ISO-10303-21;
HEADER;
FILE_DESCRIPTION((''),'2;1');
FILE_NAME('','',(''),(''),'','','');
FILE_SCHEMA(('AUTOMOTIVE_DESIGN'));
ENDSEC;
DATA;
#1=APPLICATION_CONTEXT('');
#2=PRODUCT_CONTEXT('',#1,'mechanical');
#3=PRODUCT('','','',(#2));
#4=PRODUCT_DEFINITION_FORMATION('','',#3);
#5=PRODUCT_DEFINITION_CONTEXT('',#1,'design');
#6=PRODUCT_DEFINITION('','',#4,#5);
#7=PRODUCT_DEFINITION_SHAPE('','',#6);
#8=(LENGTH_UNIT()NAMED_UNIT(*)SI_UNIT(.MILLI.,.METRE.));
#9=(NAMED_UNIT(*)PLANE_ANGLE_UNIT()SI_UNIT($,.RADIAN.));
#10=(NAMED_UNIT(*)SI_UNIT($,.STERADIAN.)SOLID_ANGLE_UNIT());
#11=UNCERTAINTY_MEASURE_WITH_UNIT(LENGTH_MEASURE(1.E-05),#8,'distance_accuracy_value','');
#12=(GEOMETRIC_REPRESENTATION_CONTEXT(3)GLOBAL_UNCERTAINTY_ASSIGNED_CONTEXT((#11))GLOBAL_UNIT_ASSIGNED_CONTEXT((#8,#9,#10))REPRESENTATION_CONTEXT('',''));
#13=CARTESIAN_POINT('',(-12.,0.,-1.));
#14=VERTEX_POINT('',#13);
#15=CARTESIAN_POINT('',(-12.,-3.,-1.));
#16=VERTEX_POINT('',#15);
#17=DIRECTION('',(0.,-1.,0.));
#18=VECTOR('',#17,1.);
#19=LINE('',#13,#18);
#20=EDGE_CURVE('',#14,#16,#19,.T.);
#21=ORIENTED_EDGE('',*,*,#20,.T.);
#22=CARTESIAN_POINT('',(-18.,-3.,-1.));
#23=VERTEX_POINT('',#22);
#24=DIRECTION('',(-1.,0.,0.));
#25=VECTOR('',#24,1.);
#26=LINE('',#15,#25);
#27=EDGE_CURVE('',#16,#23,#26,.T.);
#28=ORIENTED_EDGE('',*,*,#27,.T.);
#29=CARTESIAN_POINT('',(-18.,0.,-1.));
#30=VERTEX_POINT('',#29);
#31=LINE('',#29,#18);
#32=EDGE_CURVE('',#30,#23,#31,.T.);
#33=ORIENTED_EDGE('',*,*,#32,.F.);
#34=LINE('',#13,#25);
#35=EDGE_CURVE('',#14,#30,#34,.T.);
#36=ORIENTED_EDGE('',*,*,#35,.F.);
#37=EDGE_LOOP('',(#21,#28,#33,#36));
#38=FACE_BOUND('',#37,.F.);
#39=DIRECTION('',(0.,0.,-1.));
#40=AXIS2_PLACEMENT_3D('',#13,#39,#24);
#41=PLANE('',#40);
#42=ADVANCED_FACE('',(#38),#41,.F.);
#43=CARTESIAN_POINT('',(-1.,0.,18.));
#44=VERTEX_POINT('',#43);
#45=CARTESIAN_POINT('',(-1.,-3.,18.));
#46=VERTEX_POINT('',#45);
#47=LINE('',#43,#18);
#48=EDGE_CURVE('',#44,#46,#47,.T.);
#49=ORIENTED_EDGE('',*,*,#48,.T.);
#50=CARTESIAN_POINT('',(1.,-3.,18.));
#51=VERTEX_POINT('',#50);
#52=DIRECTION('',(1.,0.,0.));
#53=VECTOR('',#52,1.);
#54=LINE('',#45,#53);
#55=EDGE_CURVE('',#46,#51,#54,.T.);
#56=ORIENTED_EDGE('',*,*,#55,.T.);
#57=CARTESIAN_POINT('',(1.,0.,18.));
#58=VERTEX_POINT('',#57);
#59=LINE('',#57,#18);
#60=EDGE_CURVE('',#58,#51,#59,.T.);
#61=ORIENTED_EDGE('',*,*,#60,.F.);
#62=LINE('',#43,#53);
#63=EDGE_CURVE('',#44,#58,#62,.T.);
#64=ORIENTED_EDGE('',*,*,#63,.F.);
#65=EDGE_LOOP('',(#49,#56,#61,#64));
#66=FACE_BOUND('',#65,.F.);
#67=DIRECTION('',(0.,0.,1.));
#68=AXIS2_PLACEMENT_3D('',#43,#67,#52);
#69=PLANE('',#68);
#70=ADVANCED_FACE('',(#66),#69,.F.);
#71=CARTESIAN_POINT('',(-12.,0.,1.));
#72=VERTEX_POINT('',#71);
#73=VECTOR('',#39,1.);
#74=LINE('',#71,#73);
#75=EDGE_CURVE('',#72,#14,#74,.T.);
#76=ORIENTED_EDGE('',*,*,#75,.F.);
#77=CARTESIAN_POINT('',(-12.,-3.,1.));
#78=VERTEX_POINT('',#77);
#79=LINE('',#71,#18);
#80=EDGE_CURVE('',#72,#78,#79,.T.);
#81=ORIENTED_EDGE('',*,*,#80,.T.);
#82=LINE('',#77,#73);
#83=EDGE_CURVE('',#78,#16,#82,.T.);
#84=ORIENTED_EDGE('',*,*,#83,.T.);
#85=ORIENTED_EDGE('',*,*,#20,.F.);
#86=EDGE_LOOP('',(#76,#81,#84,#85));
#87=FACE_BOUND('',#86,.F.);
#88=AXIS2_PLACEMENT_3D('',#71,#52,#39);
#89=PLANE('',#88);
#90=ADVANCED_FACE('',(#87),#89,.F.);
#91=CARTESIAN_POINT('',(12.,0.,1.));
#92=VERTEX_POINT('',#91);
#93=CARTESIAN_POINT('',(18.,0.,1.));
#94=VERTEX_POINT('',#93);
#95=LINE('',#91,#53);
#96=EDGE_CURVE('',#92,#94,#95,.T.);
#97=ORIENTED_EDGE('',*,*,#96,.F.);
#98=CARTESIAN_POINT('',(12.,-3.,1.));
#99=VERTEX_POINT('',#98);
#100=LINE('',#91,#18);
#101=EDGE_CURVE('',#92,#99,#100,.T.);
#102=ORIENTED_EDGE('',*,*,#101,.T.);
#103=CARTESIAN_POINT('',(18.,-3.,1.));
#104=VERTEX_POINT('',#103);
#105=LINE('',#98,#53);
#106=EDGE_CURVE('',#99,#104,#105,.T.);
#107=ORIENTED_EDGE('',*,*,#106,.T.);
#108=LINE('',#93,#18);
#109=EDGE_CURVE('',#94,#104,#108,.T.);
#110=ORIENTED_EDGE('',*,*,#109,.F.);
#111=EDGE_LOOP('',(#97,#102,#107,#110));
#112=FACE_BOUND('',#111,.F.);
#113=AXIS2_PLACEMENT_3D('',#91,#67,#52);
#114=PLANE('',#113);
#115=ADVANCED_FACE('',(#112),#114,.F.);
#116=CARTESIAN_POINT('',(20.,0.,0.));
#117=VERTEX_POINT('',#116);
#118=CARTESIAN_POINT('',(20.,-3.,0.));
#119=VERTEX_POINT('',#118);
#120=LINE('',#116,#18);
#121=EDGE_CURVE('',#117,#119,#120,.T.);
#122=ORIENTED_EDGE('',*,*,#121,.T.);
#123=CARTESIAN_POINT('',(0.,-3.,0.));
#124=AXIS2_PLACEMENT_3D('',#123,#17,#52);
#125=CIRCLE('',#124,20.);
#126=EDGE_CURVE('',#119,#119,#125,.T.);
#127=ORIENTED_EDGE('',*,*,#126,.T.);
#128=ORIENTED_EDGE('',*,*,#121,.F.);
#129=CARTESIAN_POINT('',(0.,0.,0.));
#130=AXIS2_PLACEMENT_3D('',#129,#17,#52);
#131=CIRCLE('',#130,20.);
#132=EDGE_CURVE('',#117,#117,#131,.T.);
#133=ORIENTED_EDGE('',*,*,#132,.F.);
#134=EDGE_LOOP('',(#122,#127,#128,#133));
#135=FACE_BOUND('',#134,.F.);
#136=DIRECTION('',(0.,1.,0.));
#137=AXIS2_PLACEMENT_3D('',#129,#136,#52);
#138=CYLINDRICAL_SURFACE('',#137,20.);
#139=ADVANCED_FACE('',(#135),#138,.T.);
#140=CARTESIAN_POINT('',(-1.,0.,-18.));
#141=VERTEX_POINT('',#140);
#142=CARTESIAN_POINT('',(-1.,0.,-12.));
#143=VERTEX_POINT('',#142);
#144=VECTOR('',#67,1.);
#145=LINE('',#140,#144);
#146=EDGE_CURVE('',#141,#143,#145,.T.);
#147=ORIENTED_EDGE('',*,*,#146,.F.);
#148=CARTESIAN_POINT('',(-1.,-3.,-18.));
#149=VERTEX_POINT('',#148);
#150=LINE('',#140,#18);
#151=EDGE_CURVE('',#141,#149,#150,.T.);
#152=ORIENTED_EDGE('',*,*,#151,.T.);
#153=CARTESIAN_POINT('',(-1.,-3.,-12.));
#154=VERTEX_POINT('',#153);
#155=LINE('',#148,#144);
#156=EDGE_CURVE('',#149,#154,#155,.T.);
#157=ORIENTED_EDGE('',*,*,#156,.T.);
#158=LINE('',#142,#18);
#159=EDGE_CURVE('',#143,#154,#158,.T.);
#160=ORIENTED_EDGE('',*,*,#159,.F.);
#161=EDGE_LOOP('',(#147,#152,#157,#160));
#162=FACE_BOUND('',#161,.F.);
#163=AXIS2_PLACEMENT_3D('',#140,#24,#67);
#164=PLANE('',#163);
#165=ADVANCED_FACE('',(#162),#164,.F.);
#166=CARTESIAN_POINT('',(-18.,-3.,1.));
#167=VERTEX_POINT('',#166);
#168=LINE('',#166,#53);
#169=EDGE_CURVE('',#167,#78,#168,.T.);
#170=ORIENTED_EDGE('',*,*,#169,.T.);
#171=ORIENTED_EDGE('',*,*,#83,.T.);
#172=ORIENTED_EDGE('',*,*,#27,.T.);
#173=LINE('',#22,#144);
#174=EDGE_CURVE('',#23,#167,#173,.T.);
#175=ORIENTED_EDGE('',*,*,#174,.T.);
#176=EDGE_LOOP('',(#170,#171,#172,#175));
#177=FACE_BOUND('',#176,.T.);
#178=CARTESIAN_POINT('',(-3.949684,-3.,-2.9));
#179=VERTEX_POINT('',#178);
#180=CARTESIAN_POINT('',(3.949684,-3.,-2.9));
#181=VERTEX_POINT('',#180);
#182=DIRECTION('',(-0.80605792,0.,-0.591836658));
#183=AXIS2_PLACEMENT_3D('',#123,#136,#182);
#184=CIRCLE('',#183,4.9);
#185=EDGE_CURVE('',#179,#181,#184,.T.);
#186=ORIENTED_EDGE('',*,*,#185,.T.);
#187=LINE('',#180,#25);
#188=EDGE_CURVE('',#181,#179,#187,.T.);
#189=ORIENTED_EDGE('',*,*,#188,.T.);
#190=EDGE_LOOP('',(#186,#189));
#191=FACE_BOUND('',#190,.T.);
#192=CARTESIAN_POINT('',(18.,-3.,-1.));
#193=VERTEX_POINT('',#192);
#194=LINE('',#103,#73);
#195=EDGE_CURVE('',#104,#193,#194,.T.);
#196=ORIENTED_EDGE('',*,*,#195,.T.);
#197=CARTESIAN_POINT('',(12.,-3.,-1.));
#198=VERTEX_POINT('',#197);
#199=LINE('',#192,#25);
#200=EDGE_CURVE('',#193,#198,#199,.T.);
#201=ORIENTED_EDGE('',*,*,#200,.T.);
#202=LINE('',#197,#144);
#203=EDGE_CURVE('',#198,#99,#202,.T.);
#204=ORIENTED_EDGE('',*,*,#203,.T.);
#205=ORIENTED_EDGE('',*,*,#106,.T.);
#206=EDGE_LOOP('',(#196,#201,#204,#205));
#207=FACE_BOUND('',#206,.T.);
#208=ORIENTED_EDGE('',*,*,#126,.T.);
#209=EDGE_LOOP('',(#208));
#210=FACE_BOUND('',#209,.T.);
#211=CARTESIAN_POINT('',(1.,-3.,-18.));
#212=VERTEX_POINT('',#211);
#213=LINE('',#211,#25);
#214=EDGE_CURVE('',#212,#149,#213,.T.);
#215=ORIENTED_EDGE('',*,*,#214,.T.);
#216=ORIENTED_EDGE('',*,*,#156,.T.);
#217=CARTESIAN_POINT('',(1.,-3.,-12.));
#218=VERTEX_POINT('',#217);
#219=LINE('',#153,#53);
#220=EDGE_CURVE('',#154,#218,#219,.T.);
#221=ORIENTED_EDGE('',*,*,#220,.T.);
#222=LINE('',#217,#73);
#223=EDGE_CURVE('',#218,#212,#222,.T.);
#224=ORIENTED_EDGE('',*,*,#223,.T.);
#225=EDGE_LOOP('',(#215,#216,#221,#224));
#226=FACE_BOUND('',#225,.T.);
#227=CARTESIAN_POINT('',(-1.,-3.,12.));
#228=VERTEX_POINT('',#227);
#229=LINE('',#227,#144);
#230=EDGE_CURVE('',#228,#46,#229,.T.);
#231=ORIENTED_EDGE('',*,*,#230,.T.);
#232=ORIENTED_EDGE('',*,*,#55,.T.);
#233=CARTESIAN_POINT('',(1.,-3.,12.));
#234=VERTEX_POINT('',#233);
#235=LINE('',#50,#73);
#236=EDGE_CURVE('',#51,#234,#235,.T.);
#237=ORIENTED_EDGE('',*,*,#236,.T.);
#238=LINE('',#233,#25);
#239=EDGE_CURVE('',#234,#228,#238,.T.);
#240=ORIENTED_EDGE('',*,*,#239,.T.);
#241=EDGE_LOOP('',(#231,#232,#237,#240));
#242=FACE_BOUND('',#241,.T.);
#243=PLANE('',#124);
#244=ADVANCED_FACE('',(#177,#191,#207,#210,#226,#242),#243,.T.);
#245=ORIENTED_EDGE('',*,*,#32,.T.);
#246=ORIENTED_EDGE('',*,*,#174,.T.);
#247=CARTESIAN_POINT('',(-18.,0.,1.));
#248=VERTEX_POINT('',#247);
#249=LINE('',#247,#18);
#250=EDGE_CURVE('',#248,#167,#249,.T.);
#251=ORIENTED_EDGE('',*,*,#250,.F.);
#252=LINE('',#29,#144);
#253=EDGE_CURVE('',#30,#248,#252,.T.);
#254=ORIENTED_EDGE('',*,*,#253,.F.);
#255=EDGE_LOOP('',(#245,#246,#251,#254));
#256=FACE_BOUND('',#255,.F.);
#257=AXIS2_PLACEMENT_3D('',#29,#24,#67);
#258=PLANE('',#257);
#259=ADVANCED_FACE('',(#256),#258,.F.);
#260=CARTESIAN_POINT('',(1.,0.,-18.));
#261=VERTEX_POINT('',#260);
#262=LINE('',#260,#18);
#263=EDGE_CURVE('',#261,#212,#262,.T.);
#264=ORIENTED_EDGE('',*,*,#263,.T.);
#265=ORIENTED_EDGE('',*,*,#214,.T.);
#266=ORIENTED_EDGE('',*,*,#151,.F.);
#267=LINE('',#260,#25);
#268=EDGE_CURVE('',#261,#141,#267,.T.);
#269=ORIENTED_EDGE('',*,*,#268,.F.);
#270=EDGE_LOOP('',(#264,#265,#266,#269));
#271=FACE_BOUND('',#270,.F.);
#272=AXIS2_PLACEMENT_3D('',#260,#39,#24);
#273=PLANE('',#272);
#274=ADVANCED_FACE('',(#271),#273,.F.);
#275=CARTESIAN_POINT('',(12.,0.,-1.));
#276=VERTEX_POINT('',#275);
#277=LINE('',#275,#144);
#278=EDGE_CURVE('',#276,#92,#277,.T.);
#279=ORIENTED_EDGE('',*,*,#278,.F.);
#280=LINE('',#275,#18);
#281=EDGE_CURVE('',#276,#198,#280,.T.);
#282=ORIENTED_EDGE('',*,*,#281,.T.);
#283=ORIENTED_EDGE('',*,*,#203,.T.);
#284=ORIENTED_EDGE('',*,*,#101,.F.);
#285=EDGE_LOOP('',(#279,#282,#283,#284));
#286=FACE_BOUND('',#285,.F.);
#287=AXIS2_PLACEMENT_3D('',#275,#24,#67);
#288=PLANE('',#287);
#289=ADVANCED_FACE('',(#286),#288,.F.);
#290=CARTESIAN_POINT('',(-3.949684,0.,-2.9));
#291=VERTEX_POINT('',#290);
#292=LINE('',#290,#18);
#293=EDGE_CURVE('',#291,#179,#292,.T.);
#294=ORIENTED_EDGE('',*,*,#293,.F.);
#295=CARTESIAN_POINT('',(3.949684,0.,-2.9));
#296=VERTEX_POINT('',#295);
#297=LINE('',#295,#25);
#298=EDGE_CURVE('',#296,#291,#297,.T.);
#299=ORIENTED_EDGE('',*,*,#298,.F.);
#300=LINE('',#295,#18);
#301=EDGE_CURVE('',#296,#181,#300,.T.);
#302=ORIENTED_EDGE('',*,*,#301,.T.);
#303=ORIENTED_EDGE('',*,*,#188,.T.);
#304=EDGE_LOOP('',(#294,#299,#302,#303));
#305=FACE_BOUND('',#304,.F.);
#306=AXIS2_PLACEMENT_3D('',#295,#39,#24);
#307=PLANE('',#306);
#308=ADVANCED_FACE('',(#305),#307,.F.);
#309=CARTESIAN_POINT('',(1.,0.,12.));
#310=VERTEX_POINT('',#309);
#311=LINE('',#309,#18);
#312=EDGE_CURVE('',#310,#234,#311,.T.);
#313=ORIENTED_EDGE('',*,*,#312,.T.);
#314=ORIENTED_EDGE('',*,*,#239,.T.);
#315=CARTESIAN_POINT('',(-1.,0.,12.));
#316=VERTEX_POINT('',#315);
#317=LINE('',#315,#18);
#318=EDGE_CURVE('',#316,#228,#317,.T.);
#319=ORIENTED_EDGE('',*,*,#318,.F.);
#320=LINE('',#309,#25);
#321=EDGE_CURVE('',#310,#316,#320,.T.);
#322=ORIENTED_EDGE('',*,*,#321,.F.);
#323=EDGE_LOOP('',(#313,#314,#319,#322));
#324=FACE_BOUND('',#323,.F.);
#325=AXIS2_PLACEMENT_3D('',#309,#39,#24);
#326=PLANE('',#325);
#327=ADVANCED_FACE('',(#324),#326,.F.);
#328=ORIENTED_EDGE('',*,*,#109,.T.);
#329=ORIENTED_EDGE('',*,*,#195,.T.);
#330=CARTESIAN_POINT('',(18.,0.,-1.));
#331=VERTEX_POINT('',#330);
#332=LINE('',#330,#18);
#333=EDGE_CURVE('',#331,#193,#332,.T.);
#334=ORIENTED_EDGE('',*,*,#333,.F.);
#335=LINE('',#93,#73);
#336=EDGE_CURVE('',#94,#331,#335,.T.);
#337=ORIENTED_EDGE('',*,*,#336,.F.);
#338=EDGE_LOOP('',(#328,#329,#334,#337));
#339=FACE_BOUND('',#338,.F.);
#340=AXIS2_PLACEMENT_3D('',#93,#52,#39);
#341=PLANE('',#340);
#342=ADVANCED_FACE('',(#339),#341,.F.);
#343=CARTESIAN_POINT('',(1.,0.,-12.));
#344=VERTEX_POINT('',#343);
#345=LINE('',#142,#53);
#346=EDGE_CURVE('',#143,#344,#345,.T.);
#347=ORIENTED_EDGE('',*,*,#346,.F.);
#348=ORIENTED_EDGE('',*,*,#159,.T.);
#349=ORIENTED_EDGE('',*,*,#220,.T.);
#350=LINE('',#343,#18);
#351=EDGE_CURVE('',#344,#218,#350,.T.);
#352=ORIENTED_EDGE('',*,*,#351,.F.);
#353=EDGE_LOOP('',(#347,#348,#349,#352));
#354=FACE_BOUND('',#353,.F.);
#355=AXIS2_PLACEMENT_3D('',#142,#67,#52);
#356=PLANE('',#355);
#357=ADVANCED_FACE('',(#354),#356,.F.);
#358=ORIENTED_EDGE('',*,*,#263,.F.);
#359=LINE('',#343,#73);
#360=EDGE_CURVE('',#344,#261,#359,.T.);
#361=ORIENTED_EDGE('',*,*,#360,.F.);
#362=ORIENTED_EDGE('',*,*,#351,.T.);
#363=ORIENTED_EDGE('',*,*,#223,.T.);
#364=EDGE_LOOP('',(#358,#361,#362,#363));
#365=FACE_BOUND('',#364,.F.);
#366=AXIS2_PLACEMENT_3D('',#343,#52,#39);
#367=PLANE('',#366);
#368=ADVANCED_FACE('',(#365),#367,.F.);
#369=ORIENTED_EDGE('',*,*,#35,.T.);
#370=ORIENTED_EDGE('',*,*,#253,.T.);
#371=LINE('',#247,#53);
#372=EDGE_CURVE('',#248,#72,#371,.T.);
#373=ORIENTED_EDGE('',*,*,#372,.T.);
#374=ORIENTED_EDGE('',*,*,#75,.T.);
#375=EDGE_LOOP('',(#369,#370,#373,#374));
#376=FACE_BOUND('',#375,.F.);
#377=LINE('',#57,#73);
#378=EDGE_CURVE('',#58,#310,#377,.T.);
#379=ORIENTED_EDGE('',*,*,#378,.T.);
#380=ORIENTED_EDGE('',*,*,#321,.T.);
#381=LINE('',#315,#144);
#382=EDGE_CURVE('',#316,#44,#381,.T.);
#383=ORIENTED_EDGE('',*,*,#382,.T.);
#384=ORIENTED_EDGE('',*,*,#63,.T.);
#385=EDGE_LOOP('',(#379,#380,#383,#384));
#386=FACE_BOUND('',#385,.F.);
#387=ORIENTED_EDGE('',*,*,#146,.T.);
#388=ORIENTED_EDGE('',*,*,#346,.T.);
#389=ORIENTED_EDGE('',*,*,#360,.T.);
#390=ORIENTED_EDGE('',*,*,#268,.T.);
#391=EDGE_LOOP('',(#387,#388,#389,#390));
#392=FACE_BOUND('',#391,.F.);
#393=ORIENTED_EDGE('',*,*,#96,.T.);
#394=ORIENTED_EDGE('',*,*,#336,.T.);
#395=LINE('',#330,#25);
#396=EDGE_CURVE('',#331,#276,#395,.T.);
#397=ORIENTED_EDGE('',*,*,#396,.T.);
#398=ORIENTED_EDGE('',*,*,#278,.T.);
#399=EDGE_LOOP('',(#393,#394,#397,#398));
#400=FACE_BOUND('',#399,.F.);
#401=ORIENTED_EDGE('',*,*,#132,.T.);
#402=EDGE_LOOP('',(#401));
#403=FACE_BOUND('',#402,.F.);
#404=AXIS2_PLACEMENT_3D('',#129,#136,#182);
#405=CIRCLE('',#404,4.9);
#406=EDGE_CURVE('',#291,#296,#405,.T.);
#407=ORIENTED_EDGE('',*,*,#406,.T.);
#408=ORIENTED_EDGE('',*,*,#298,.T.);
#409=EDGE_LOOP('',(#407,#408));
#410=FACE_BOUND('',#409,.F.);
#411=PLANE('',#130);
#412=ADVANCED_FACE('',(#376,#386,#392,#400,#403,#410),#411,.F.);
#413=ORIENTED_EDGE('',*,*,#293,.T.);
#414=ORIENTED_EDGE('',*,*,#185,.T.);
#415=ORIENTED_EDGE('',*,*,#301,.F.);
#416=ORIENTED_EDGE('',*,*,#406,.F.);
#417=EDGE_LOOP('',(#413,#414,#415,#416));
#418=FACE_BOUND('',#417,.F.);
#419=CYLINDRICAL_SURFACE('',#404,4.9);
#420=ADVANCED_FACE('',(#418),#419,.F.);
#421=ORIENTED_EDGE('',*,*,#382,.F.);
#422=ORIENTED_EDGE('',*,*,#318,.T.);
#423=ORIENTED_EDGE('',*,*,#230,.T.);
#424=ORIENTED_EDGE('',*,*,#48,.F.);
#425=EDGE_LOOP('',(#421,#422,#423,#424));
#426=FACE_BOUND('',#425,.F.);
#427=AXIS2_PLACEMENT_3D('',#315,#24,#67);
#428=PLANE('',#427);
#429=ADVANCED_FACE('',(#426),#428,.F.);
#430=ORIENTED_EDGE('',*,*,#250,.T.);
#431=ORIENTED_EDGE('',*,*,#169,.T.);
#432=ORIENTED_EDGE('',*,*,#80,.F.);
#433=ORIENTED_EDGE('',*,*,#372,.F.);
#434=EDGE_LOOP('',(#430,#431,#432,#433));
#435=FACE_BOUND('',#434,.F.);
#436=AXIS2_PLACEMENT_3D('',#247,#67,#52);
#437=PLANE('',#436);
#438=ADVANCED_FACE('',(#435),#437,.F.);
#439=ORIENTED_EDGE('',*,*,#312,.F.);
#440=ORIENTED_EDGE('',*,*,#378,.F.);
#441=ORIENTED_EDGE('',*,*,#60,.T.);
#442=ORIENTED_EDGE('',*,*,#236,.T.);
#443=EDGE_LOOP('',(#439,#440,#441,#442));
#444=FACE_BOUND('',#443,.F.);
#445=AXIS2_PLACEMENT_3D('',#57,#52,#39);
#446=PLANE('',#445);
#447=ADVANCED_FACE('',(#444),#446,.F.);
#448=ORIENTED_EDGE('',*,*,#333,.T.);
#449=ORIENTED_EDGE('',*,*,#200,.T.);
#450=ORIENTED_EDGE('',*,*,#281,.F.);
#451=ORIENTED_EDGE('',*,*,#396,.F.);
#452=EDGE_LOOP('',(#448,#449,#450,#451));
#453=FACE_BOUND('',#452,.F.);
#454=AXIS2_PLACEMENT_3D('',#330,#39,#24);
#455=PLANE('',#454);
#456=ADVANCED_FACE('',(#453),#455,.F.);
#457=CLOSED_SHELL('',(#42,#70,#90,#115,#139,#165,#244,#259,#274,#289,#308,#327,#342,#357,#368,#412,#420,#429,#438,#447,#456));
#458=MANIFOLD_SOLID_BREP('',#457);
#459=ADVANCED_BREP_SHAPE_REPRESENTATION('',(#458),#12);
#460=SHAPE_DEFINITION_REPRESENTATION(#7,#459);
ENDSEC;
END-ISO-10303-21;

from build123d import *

# Parameters (mm, degrees)
F0_R     = 20
F1_DEPTH = 3


with BuildPart() as f1:
    # F0 (on Front) → F1 (new body)
    with BuildSketch(Plane.XZ):
        Circle(F0_R)
        Polygon((-1, -12), (0, -12), (1, -12), (1, -18), (-1, -18), align=None, mode=Mode.SUBTRACT)
        Polygon((-12, 1), (-12, 0), (-12, -1), (-18, -1), (-18, 1), align=None, mode=Mode.SUBTRACT)
        with BuildLine():
            ThreePointArc((-3.949684, -2.9), (0, 4.9), (3.949684, -2.9))
            Line((3.949684, -2.9), (-3.949684, -2.9))
        make_face(mode=Mode.SUBTRACT)
        Polygon((12, -1), (12, 0), (12, 1), (18, 1), (18, -1), align=None, mode=Mode.SUBTRACT)
        Polygon((1, 12), (0, 12), (-1, 12), (-1, 18), (1, 18), align=None, mode=Mode.SUBTRACT)
    extrude(amount=F1_DEPTH)


solid = f1.part
